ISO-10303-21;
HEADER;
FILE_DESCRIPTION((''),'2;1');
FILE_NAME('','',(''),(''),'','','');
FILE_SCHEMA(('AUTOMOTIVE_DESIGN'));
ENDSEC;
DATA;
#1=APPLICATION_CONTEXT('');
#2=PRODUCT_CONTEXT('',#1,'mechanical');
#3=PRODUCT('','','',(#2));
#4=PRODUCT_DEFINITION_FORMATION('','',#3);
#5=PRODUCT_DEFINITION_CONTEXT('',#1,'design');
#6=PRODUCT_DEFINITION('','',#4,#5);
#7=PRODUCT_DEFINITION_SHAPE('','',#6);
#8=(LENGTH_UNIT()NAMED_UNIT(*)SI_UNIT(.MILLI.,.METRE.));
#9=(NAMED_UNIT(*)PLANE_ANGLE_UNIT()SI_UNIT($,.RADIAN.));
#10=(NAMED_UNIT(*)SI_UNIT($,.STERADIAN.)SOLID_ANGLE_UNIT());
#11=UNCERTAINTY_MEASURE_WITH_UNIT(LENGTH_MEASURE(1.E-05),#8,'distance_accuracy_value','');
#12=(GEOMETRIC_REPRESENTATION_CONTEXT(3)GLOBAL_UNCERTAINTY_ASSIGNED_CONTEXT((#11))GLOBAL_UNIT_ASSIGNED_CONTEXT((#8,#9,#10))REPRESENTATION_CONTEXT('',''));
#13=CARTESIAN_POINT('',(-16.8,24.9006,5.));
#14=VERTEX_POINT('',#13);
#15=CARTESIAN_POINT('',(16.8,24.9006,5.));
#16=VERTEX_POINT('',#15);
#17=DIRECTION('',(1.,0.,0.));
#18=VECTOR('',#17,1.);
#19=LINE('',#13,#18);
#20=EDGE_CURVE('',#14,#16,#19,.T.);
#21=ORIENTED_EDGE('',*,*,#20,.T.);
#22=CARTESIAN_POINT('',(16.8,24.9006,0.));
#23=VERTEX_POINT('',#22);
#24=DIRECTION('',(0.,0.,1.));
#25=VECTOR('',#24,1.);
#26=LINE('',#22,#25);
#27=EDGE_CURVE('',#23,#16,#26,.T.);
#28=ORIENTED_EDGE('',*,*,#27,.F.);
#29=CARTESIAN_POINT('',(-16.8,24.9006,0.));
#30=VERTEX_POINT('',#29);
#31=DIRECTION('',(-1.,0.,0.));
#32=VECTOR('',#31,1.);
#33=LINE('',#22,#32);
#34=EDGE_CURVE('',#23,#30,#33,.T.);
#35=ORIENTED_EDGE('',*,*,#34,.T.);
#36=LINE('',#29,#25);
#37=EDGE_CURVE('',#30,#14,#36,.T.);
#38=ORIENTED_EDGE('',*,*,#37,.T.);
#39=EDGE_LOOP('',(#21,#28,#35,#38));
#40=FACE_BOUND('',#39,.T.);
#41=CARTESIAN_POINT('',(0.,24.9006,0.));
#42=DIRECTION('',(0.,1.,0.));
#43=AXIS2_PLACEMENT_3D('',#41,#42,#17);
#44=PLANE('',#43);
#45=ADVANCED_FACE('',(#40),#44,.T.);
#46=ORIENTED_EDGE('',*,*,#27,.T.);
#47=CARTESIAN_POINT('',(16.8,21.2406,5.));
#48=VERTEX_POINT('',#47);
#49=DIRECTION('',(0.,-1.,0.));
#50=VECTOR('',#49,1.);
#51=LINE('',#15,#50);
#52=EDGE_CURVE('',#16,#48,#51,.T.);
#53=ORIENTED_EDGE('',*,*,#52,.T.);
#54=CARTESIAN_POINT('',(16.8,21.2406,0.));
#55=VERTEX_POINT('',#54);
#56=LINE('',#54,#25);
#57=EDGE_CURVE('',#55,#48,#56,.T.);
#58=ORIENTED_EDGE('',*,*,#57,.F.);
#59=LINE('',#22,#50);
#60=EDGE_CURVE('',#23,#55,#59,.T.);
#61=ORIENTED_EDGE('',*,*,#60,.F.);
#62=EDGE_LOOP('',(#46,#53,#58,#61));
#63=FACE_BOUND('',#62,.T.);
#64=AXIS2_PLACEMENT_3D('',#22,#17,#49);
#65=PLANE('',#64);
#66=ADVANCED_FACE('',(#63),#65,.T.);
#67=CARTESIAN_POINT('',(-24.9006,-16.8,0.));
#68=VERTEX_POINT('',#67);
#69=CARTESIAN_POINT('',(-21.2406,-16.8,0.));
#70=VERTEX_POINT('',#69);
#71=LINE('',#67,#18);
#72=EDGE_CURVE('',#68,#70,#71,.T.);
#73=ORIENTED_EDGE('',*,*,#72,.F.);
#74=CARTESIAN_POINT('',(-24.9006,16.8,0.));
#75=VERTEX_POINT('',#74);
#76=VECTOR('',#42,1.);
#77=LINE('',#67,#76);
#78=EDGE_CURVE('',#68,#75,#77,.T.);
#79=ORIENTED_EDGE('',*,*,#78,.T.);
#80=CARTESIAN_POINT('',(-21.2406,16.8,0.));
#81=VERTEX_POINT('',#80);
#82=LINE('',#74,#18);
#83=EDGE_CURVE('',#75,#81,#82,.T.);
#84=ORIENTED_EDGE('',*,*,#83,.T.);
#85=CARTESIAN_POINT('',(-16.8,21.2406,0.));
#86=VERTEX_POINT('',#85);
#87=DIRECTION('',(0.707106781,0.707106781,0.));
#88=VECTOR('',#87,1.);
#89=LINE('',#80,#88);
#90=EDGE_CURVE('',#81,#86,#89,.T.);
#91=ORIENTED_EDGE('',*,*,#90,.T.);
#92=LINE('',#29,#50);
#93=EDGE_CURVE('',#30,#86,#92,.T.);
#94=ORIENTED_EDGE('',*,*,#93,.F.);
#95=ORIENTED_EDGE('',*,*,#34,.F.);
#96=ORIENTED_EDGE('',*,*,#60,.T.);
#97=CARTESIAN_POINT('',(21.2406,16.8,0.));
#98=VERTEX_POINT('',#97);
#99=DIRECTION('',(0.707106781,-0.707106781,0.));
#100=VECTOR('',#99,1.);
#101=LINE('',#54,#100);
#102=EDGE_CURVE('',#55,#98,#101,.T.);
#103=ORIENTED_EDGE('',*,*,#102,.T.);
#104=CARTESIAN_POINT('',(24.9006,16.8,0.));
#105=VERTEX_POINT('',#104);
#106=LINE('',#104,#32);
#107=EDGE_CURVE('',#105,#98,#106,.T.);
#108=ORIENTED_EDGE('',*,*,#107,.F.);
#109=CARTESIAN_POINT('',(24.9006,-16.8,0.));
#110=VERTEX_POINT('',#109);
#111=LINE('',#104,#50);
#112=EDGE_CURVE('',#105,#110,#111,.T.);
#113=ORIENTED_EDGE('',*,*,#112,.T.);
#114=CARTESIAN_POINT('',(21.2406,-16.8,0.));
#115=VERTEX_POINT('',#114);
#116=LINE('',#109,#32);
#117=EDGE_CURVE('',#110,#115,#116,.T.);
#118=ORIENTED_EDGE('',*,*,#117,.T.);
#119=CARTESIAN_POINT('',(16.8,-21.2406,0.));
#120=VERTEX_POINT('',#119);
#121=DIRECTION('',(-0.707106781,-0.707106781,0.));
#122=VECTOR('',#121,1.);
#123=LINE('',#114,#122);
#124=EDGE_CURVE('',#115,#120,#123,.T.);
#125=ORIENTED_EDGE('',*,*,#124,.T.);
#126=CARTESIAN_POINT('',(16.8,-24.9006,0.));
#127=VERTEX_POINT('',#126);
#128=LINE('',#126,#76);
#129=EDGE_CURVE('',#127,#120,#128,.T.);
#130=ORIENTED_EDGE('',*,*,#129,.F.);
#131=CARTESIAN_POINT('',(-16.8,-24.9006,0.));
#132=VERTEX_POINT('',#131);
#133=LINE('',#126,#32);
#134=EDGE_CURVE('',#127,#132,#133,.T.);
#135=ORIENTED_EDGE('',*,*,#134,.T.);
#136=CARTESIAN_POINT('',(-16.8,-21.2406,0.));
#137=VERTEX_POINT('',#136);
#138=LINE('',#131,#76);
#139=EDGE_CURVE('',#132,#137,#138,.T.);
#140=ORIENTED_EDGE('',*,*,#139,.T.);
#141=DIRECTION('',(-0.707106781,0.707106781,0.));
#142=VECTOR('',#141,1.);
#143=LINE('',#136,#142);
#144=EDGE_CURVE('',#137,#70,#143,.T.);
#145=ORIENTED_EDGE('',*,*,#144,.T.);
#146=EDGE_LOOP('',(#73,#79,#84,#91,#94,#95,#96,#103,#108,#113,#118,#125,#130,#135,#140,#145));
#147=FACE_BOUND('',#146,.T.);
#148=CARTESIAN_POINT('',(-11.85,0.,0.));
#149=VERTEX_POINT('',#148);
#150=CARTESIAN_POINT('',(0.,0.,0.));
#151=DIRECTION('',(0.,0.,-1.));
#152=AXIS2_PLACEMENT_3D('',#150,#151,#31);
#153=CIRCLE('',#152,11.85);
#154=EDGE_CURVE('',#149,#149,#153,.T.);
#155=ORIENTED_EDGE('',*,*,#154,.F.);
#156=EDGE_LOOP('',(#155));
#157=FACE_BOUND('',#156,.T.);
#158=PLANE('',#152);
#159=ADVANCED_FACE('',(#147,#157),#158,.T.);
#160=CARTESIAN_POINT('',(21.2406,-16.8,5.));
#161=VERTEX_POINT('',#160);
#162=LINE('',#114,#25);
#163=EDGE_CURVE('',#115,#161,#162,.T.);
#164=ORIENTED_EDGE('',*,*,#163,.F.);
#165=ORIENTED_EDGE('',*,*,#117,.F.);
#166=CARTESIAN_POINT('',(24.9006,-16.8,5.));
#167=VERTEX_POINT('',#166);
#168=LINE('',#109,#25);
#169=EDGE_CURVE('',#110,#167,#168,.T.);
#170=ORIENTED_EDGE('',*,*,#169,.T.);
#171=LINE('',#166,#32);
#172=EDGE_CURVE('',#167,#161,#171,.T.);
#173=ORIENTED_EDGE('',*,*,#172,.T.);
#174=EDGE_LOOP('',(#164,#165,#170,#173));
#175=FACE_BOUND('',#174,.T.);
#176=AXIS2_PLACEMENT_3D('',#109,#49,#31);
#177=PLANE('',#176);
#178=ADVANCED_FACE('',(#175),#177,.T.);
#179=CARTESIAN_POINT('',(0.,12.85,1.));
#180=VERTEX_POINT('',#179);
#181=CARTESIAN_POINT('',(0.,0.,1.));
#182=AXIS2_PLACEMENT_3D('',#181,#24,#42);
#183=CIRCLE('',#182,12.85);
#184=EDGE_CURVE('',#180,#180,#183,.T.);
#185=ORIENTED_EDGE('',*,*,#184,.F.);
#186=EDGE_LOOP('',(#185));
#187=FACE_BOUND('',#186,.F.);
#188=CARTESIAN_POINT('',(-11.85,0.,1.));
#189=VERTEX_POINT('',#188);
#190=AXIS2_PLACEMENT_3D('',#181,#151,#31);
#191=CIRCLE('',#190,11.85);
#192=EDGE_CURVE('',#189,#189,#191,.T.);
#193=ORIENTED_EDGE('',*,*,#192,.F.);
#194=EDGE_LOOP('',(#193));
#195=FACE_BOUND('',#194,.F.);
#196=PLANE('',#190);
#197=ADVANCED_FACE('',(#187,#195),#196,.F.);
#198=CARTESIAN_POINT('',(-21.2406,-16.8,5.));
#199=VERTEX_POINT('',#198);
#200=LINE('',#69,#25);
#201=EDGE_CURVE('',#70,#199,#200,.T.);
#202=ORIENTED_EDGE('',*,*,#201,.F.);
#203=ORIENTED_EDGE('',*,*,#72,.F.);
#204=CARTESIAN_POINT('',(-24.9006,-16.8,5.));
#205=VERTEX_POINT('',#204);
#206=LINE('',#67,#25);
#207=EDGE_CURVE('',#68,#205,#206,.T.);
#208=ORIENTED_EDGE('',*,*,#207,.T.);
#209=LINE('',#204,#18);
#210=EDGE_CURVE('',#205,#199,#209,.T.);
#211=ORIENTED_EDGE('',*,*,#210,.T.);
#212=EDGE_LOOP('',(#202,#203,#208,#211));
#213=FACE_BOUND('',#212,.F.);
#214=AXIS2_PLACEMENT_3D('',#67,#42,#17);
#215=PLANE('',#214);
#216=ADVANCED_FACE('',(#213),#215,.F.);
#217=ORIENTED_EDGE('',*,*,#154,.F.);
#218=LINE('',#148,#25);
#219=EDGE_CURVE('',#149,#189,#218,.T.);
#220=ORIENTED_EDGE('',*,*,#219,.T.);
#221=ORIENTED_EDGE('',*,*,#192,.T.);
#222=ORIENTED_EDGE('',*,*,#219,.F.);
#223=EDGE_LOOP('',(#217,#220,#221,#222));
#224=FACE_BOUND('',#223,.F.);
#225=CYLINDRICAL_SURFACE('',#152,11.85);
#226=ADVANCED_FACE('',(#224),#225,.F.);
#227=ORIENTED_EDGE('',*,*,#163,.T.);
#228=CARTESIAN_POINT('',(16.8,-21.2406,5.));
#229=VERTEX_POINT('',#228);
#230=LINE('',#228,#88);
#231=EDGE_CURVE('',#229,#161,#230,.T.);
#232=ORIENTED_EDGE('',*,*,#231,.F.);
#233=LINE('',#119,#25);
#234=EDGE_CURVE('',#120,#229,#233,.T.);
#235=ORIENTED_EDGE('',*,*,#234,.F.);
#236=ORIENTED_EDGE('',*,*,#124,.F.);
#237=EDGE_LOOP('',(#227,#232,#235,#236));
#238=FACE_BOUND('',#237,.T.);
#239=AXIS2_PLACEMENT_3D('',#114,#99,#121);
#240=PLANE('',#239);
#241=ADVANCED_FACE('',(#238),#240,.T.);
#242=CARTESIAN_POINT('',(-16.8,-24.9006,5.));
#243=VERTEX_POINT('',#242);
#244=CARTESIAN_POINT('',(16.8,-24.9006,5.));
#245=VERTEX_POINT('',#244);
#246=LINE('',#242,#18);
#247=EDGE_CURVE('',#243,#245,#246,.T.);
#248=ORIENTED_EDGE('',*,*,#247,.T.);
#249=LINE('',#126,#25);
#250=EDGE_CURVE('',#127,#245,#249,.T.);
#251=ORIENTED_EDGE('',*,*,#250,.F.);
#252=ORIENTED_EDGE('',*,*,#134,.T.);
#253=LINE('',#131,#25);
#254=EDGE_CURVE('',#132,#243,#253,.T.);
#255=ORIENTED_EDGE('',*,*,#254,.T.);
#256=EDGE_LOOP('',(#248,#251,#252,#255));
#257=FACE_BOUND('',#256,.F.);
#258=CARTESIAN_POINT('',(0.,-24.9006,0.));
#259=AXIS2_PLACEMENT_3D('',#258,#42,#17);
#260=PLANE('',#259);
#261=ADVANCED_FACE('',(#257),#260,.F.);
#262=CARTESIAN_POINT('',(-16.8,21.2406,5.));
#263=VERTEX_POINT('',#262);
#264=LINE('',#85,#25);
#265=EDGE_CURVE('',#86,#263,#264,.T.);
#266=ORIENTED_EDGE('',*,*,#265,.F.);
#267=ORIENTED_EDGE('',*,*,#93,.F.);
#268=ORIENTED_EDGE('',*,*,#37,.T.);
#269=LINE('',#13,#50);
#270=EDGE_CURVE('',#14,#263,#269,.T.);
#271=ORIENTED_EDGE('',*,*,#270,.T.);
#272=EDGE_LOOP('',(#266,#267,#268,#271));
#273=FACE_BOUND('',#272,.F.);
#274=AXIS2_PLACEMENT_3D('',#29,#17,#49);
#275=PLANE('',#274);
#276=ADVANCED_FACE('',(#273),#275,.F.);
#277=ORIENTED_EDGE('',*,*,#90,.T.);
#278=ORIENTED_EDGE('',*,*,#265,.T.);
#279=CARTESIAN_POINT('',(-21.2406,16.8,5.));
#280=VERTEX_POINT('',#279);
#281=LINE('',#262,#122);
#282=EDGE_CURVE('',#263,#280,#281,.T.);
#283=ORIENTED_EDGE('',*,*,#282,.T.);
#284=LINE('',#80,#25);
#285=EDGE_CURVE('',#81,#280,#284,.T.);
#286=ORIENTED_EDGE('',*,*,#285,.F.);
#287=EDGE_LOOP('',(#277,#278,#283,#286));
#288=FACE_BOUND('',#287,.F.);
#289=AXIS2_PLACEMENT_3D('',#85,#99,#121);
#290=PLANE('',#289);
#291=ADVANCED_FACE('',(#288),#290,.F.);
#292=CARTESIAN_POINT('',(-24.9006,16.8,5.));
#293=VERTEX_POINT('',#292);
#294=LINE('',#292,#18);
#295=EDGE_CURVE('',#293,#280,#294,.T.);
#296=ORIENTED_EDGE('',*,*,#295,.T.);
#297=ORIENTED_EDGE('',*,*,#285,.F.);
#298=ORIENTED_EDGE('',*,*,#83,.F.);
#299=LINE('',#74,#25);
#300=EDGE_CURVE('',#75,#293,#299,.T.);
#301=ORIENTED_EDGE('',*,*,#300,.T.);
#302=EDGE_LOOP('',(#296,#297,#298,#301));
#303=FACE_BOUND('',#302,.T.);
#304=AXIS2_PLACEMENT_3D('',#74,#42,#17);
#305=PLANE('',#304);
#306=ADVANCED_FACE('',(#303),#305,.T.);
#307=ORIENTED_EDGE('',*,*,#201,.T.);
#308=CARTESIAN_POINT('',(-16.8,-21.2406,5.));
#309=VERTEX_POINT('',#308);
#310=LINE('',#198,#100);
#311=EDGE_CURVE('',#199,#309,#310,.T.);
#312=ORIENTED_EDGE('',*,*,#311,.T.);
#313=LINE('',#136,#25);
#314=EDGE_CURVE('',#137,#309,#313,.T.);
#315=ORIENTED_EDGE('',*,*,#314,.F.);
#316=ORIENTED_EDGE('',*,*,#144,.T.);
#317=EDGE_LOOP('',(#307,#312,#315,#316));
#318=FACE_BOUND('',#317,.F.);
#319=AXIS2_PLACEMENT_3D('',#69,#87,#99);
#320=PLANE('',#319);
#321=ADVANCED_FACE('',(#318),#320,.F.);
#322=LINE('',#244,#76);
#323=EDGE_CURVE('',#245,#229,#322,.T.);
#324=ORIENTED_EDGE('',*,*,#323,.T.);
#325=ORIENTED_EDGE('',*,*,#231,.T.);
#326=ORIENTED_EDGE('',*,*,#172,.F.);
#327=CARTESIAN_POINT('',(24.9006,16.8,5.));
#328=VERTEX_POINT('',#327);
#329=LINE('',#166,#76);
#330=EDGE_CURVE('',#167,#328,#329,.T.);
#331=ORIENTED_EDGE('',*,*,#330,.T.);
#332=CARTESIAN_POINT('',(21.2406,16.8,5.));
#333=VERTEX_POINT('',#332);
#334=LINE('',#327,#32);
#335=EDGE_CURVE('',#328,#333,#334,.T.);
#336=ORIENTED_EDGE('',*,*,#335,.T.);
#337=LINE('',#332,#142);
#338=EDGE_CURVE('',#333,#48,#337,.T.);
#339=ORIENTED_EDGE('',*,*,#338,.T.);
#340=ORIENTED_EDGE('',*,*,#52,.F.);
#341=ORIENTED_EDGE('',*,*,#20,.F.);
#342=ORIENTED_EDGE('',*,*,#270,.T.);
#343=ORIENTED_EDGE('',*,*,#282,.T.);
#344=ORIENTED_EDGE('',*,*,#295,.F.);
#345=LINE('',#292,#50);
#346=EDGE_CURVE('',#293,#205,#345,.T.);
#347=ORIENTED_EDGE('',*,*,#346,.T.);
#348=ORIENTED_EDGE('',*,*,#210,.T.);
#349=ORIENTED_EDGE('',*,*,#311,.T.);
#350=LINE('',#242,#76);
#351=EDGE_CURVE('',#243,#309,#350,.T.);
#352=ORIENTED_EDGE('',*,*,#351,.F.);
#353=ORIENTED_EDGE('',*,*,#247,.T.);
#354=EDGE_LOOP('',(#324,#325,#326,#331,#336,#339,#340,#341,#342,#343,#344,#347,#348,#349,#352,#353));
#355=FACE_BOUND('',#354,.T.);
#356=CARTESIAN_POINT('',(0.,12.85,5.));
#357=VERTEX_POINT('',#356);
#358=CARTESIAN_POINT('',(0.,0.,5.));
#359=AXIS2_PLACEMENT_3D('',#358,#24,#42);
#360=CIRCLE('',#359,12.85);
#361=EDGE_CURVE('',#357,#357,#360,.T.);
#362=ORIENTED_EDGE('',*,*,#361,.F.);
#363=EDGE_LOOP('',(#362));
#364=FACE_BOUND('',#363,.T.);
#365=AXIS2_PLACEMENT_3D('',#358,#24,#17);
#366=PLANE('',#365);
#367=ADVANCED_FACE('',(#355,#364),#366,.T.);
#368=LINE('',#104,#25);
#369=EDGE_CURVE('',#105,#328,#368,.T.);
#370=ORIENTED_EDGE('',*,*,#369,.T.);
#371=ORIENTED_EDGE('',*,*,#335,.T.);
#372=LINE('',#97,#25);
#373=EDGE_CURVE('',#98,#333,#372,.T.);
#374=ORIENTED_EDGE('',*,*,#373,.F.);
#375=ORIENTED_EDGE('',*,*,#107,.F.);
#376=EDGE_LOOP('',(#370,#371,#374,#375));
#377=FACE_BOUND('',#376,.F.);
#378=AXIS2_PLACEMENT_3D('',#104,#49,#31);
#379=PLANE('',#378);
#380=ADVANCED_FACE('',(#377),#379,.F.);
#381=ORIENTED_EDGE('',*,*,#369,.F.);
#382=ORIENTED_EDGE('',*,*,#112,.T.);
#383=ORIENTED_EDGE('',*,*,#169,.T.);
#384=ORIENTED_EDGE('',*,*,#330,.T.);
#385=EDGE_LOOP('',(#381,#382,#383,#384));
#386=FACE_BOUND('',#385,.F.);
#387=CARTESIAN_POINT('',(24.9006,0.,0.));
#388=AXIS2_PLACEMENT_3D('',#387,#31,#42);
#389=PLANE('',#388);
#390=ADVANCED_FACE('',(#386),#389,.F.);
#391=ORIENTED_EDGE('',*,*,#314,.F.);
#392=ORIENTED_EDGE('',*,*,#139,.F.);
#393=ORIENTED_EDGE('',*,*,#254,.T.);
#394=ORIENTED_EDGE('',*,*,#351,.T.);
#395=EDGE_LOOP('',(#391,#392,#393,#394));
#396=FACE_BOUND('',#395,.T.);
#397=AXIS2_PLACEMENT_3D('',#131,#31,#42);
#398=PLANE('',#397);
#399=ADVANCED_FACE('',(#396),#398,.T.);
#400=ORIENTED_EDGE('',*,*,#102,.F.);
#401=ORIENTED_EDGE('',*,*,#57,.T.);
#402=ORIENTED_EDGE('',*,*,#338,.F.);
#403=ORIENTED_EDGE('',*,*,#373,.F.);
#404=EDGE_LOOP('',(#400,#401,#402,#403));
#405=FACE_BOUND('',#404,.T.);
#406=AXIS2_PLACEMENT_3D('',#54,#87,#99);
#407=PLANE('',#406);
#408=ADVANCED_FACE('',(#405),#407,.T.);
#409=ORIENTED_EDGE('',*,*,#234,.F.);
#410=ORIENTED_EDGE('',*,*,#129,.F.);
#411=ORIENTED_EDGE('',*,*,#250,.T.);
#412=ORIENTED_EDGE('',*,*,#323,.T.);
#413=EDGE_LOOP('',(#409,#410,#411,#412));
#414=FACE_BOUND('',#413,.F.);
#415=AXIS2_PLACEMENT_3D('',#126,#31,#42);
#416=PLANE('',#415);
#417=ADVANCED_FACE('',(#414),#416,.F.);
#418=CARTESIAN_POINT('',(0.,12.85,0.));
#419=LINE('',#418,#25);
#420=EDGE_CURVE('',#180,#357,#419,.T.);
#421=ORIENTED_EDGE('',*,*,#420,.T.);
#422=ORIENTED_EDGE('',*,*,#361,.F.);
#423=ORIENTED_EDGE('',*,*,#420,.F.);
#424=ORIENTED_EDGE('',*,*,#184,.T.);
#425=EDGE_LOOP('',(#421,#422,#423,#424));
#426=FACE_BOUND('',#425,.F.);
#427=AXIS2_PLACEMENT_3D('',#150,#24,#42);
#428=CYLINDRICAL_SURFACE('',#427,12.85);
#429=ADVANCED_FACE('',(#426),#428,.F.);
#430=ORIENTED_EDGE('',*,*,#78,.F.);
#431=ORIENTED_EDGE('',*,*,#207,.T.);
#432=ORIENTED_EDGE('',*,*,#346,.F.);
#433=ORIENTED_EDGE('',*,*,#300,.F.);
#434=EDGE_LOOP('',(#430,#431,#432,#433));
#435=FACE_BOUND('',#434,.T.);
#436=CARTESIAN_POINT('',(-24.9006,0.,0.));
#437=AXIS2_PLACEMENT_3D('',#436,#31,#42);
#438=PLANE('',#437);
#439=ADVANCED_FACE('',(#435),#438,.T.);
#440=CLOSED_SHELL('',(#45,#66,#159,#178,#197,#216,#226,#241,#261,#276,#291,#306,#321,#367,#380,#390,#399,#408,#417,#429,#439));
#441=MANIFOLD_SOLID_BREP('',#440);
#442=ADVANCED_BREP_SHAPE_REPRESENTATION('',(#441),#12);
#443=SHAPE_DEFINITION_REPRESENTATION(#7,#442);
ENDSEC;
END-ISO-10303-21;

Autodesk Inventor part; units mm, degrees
ref_plane "YZ Plane" through (0, 0, 0) normal (1, 0, 0) x (0, 1, 0)
ref_plane "XZ Plane" through (0, 0, 0) normal (0, 1, 0) x (-1, 0, 0)
ref_plane "XY Plane" through (0, 0, 0) normal (0, 0, 1) x (1, 0, 0)
sketch "Sketch1" plane through (0, 0, 0) normal (0, 0, 1) x (1, 0, 0)
  line L0 (-34.8609, 0) -> (34.8609, 0) construction
  line L1 (0, -34.8609) -> (0, 34.8609) construction
  line L2 (0, 0) -> (13.4339, 13.4339) construction
  line L3 (0, 0) -> (18.9985, 0) construction
  line L4 (0, 24.9006) -> (16.8, 24.9006)
  line L5 (16.8, 24.9006) -> (16.8, 21.2406)
  line L6 (16.8, 21.2406) -> (19.0203, 19.0203)
  line L7 (24.9006, 0) -> (24.9006, 16.8)
  line L8 (24.9006, 16.8) -> (21.2406, 16.8)
  line L9 (21.2406, 16.8) -> (19.0203, 19.0203)
  line L10 (0, 0) -> (-13.4339, 13.4339) construction
  line L11 (0, 0) -> (-18.9985, 0) construction
  line L12 (0, 24.9006) -> (-16.8, 24.9006)
  line L13 (-16.8, 24.9006) -> (-16.8, 21.2406)
  line L14 (-16.8, 21.2406) -> (-19.0203, 19.0203)
  line L15 (-24.9006, 0) -> (-24.9006, 16.8)
  line L16 (-24.9006, 16.8) -> (-21.2406, 16.8)
  line L17 (-21.2406, 16.8) -> (-19.0203, 19.0203)
  line L18 (0, 0) -> (13.4339, -13.4339) construction
  line L19 (0, -24.9006) -> (16.8, -24.9006)
  line L20 (16.8, -24.9006) -> (16.8, -21.2406)
  line L21 (16.8, -21.2406) -> (19.0203, -19.0203)
  line L22 (24.9006, 0) -> (24.9006, -16.8)
  line L23 (24.9006, -16.8) -> (21.2406, -16.8)
  line L24 (21.2406, -16.8) -> (19.0203, -19.0203)
  line L25 (0, 0) -> (-13.4339, -13.4339) construction
  line L26 (0, -24.9006) -> (-16.8, -24.9006)
  line L27 (-16.8, -24.9006) -> (-16.8, -21.2406)
  line L28 (-16.8, -21.2406) -> (-19.0203, -19.0203)
  line L29 (-24.9006, 0) -> (-24.9006, -16.8)
  line L30 (-24.9006, -16.8) -> (-21.2406, -16.8)
  line L31 (-21.2406, -16.8) -> (-19.0203, -19.0203)
  dimension "d0" = 45
  dimension "d1" = 3.14
  dimension "d2" = 3.66
  dimension "d3" = 16.8
extrude "Extrusion1" add sketch "Sketch1" along normal blind 5
hole "Hole1" at (0, 0, 0) direction (0, 0, 1) diameter 25.7 end through all
sketch "Sketch2" plane through (0, 0, 0) normal (0, 0, -1) x (-1, 0, 0)
  circle A0 centre (0, 0) radius 12.85 projected
  line L0 (16.8, 24.9006) -> (-16.8, 24.9006) projected
  line L1 (-16.8, 24.9006) -> (-16.8, 21.2406) projected
  line L2 (-16.8, 21.2406) -> (-21.2406, 16.8) projected
  line L3 (-21.2406, 16.8) -> (-24.9006, 16.8) projected
  line L4 (-24.9006, 16.8) -> (-24.9006, -16.8) projected
  line L5 (-24.9006, -16.8) -> (-21.2406, -16.8) projected
  line L6 (-21.2406, -16.8) -> (-16.8, -21.2406) projected
  line L7 (-16.8, -21.2406) -> (-16.8, -24.9006) projected
  line L8 (-16.8, -24.9006) -> (16.8, -24.9006) projected
  line L9 (16.8, -24.9006) -> (16.8, -21.2406) projected
  line L10 (16.8, -21.2406) -> (21.2406, -16.8) projected
  line L11 (21.2406, -16.8) -> (24.9006, -16.8) projected
  line L12 (24.9006, -16.8) -> (24.9006, 16.8) projected
  line L13 (24.9006, 16.8) -> (21.2406, 16.8) projected
  line L14 (21.2406, 16.8) -> (16.8, 21.2406) projected
  line L15 (16.8, 21.2406) -> (16.8, 24.9006) projected
  circle A1 centre (0, 0) radius 11.85
  dimension "d17" = 1
extrude "Extrusion2" add sketch "Sketch2" against normal blind 1 contours A0
equation "\"Lens_diameter\" = 25"
properties part number "20_Lens_holder"
